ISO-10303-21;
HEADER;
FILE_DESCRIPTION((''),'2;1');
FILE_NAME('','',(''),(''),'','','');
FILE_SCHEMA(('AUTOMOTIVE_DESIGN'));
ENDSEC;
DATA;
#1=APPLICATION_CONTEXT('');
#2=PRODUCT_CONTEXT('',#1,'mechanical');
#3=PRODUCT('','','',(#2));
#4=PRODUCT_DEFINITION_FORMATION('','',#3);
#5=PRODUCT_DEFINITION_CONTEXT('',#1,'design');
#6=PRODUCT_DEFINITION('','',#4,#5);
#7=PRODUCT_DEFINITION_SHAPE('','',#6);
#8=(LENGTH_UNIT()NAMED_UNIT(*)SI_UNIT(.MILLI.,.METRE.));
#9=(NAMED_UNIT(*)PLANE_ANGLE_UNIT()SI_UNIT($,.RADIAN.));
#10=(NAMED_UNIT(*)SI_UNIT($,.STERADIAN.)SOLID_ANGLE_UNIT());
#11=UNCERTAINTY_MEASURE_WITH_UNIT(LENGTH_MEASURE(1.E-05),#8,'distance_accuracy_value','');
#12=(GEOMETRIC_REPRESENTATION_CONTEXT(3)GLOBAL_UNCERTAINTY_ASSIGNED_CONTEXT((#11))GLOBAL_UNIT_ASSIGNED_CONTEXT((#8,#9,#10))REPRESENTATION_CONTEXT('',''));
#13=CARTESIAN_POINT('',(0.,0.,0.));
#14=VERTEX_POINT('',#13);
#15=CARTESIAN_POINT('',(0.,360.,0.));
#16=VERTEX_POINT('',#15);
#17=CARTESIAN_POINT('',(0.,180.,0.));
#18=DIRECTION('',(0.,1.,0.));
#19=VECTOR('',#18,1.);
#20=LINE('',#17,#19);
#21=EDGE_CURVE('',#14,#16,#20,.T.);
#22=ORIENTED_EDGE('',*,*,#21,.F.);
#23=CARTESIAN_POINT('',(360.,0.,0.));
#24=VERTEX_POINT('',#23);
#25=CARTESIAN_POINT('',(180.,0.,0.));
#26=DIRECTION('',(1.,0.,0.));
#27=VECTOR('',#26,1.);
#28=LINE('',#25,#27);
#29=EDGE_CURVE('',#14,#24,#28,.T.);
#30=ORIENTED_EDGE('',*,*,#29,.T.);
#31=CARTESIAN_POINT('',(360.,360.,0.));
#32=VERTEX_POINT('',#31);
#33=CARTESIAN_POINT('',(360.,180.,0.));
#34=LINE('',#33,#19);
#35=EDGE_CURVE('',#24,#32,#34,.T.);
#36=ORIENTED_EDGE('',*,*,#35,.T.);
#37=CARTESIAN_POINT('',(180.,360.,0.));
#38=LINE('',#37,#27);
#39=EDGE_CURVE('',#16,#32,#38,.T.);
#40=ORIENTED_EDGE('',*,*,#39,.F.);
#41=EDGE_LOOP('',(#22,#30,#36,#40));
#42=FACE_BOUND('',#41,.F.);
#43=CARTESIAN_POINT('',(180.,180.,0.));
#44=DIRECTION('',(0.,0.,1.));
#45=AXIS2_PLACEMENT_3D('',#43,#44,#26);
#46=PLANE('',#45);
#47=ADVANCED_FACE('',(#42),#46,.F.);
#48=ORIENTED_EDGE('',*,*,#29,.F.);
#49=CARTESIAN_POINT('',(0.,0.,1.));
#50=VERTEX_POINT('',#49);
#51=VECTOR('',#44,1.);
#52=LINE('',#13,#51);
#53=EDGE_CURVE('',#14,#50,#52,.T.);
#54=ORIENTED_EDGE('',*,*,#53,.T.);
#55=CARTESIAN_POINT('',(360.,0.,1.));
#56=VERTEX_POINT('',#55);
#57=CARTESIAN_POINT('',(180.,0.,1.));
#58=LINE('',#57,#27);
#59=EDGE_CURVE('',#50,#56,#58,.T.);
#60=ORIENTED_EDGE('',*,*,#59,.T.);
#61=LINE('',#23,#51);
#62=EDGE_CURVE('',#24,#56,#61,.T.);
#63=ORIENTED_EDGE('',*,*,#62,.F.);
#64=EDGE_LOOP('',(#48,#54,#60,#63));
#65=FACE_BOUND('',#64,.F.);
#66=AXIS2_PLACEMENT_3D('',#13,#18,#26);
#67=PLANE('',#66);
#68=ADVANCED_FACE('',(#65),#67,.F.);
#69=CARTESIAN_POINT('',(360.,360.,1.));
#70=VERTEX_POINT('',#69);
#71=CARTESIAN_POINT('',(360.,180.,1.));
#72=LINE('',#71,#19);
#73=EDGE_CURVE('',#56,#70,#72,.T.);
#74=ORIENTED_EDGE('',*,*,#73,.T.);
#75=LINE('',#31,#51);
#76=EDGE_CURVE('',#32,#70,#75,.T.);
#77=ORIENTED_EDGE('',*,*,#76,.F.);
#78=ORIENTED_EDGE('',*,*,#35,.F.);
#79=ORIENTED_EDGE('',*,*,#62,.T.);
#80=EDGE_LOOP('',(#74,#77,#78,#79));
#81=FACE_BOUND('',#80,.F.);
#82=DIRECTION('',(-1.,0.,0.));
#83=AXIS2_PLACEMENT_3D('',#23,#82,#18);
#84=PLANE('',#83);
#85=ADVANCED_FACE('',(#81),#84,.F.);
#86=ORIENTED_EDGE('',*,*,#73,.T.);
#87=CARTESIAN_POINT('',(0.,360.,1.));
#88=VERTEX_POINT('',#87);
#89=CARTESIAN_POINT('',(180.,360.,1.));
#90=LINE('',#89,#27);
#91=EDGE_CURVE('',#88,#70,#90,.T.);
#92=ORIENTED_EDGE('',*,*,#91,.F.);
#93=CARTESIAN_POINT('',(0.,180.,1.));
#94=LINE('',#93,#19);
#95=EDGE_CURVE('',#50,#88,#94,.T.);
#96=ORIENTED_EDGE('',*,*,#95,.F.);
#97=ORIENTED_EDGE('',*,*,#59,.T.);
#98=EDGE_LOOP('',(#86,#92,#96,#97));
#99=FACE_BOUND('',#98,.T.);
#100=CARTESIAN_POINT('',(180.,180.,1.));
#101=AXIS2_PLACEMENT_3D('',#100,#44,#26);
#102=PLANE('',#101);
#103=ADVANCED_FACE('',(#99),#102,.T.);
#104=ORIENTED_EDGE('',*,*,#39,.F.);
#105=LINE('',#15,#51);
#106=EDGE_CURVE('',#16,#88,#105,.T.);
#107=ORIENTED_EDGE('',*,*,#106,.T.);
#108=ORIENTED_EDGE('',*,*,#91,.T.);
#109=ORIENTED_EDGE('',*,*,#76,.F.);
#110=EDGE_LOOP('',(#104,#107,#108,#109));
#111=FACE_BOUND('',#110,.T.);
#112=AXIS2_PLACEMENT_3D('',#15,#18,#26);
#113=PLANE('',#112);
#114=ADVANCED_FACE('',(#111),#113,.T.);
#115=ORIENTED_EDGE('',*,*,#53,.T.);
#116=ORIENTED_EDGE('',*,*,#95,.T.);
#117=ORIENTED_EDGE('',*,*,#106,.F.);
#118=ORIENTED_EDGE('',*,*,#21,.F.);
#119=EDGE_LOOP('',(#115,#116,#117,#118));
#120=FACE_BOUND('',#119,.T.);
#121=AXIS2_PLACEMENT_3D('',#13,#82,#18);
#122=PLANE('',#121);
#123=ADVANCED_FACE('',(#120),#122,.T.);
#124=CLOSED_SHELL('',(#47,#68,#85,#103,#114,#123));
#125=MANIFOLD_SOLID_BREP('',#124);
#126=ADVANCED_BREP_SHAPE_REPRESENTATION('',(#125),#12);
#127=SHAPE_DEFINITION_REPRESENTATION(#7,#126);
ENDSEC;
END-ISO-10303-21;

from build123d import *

# Parameters (mm, degrees)
BOX_W     = 360
BOX_H     = 360
BOX_DEPTH = 1


with BuildPart() as part:
    # Box → Box (new body)
    with BuildSketch(Plane.XY):
        with Locations((180, 180)):
            Rectangle(BOX_W, BOX_H)
    extrude(amount=BOX_DEPTH)


solid = part.part
